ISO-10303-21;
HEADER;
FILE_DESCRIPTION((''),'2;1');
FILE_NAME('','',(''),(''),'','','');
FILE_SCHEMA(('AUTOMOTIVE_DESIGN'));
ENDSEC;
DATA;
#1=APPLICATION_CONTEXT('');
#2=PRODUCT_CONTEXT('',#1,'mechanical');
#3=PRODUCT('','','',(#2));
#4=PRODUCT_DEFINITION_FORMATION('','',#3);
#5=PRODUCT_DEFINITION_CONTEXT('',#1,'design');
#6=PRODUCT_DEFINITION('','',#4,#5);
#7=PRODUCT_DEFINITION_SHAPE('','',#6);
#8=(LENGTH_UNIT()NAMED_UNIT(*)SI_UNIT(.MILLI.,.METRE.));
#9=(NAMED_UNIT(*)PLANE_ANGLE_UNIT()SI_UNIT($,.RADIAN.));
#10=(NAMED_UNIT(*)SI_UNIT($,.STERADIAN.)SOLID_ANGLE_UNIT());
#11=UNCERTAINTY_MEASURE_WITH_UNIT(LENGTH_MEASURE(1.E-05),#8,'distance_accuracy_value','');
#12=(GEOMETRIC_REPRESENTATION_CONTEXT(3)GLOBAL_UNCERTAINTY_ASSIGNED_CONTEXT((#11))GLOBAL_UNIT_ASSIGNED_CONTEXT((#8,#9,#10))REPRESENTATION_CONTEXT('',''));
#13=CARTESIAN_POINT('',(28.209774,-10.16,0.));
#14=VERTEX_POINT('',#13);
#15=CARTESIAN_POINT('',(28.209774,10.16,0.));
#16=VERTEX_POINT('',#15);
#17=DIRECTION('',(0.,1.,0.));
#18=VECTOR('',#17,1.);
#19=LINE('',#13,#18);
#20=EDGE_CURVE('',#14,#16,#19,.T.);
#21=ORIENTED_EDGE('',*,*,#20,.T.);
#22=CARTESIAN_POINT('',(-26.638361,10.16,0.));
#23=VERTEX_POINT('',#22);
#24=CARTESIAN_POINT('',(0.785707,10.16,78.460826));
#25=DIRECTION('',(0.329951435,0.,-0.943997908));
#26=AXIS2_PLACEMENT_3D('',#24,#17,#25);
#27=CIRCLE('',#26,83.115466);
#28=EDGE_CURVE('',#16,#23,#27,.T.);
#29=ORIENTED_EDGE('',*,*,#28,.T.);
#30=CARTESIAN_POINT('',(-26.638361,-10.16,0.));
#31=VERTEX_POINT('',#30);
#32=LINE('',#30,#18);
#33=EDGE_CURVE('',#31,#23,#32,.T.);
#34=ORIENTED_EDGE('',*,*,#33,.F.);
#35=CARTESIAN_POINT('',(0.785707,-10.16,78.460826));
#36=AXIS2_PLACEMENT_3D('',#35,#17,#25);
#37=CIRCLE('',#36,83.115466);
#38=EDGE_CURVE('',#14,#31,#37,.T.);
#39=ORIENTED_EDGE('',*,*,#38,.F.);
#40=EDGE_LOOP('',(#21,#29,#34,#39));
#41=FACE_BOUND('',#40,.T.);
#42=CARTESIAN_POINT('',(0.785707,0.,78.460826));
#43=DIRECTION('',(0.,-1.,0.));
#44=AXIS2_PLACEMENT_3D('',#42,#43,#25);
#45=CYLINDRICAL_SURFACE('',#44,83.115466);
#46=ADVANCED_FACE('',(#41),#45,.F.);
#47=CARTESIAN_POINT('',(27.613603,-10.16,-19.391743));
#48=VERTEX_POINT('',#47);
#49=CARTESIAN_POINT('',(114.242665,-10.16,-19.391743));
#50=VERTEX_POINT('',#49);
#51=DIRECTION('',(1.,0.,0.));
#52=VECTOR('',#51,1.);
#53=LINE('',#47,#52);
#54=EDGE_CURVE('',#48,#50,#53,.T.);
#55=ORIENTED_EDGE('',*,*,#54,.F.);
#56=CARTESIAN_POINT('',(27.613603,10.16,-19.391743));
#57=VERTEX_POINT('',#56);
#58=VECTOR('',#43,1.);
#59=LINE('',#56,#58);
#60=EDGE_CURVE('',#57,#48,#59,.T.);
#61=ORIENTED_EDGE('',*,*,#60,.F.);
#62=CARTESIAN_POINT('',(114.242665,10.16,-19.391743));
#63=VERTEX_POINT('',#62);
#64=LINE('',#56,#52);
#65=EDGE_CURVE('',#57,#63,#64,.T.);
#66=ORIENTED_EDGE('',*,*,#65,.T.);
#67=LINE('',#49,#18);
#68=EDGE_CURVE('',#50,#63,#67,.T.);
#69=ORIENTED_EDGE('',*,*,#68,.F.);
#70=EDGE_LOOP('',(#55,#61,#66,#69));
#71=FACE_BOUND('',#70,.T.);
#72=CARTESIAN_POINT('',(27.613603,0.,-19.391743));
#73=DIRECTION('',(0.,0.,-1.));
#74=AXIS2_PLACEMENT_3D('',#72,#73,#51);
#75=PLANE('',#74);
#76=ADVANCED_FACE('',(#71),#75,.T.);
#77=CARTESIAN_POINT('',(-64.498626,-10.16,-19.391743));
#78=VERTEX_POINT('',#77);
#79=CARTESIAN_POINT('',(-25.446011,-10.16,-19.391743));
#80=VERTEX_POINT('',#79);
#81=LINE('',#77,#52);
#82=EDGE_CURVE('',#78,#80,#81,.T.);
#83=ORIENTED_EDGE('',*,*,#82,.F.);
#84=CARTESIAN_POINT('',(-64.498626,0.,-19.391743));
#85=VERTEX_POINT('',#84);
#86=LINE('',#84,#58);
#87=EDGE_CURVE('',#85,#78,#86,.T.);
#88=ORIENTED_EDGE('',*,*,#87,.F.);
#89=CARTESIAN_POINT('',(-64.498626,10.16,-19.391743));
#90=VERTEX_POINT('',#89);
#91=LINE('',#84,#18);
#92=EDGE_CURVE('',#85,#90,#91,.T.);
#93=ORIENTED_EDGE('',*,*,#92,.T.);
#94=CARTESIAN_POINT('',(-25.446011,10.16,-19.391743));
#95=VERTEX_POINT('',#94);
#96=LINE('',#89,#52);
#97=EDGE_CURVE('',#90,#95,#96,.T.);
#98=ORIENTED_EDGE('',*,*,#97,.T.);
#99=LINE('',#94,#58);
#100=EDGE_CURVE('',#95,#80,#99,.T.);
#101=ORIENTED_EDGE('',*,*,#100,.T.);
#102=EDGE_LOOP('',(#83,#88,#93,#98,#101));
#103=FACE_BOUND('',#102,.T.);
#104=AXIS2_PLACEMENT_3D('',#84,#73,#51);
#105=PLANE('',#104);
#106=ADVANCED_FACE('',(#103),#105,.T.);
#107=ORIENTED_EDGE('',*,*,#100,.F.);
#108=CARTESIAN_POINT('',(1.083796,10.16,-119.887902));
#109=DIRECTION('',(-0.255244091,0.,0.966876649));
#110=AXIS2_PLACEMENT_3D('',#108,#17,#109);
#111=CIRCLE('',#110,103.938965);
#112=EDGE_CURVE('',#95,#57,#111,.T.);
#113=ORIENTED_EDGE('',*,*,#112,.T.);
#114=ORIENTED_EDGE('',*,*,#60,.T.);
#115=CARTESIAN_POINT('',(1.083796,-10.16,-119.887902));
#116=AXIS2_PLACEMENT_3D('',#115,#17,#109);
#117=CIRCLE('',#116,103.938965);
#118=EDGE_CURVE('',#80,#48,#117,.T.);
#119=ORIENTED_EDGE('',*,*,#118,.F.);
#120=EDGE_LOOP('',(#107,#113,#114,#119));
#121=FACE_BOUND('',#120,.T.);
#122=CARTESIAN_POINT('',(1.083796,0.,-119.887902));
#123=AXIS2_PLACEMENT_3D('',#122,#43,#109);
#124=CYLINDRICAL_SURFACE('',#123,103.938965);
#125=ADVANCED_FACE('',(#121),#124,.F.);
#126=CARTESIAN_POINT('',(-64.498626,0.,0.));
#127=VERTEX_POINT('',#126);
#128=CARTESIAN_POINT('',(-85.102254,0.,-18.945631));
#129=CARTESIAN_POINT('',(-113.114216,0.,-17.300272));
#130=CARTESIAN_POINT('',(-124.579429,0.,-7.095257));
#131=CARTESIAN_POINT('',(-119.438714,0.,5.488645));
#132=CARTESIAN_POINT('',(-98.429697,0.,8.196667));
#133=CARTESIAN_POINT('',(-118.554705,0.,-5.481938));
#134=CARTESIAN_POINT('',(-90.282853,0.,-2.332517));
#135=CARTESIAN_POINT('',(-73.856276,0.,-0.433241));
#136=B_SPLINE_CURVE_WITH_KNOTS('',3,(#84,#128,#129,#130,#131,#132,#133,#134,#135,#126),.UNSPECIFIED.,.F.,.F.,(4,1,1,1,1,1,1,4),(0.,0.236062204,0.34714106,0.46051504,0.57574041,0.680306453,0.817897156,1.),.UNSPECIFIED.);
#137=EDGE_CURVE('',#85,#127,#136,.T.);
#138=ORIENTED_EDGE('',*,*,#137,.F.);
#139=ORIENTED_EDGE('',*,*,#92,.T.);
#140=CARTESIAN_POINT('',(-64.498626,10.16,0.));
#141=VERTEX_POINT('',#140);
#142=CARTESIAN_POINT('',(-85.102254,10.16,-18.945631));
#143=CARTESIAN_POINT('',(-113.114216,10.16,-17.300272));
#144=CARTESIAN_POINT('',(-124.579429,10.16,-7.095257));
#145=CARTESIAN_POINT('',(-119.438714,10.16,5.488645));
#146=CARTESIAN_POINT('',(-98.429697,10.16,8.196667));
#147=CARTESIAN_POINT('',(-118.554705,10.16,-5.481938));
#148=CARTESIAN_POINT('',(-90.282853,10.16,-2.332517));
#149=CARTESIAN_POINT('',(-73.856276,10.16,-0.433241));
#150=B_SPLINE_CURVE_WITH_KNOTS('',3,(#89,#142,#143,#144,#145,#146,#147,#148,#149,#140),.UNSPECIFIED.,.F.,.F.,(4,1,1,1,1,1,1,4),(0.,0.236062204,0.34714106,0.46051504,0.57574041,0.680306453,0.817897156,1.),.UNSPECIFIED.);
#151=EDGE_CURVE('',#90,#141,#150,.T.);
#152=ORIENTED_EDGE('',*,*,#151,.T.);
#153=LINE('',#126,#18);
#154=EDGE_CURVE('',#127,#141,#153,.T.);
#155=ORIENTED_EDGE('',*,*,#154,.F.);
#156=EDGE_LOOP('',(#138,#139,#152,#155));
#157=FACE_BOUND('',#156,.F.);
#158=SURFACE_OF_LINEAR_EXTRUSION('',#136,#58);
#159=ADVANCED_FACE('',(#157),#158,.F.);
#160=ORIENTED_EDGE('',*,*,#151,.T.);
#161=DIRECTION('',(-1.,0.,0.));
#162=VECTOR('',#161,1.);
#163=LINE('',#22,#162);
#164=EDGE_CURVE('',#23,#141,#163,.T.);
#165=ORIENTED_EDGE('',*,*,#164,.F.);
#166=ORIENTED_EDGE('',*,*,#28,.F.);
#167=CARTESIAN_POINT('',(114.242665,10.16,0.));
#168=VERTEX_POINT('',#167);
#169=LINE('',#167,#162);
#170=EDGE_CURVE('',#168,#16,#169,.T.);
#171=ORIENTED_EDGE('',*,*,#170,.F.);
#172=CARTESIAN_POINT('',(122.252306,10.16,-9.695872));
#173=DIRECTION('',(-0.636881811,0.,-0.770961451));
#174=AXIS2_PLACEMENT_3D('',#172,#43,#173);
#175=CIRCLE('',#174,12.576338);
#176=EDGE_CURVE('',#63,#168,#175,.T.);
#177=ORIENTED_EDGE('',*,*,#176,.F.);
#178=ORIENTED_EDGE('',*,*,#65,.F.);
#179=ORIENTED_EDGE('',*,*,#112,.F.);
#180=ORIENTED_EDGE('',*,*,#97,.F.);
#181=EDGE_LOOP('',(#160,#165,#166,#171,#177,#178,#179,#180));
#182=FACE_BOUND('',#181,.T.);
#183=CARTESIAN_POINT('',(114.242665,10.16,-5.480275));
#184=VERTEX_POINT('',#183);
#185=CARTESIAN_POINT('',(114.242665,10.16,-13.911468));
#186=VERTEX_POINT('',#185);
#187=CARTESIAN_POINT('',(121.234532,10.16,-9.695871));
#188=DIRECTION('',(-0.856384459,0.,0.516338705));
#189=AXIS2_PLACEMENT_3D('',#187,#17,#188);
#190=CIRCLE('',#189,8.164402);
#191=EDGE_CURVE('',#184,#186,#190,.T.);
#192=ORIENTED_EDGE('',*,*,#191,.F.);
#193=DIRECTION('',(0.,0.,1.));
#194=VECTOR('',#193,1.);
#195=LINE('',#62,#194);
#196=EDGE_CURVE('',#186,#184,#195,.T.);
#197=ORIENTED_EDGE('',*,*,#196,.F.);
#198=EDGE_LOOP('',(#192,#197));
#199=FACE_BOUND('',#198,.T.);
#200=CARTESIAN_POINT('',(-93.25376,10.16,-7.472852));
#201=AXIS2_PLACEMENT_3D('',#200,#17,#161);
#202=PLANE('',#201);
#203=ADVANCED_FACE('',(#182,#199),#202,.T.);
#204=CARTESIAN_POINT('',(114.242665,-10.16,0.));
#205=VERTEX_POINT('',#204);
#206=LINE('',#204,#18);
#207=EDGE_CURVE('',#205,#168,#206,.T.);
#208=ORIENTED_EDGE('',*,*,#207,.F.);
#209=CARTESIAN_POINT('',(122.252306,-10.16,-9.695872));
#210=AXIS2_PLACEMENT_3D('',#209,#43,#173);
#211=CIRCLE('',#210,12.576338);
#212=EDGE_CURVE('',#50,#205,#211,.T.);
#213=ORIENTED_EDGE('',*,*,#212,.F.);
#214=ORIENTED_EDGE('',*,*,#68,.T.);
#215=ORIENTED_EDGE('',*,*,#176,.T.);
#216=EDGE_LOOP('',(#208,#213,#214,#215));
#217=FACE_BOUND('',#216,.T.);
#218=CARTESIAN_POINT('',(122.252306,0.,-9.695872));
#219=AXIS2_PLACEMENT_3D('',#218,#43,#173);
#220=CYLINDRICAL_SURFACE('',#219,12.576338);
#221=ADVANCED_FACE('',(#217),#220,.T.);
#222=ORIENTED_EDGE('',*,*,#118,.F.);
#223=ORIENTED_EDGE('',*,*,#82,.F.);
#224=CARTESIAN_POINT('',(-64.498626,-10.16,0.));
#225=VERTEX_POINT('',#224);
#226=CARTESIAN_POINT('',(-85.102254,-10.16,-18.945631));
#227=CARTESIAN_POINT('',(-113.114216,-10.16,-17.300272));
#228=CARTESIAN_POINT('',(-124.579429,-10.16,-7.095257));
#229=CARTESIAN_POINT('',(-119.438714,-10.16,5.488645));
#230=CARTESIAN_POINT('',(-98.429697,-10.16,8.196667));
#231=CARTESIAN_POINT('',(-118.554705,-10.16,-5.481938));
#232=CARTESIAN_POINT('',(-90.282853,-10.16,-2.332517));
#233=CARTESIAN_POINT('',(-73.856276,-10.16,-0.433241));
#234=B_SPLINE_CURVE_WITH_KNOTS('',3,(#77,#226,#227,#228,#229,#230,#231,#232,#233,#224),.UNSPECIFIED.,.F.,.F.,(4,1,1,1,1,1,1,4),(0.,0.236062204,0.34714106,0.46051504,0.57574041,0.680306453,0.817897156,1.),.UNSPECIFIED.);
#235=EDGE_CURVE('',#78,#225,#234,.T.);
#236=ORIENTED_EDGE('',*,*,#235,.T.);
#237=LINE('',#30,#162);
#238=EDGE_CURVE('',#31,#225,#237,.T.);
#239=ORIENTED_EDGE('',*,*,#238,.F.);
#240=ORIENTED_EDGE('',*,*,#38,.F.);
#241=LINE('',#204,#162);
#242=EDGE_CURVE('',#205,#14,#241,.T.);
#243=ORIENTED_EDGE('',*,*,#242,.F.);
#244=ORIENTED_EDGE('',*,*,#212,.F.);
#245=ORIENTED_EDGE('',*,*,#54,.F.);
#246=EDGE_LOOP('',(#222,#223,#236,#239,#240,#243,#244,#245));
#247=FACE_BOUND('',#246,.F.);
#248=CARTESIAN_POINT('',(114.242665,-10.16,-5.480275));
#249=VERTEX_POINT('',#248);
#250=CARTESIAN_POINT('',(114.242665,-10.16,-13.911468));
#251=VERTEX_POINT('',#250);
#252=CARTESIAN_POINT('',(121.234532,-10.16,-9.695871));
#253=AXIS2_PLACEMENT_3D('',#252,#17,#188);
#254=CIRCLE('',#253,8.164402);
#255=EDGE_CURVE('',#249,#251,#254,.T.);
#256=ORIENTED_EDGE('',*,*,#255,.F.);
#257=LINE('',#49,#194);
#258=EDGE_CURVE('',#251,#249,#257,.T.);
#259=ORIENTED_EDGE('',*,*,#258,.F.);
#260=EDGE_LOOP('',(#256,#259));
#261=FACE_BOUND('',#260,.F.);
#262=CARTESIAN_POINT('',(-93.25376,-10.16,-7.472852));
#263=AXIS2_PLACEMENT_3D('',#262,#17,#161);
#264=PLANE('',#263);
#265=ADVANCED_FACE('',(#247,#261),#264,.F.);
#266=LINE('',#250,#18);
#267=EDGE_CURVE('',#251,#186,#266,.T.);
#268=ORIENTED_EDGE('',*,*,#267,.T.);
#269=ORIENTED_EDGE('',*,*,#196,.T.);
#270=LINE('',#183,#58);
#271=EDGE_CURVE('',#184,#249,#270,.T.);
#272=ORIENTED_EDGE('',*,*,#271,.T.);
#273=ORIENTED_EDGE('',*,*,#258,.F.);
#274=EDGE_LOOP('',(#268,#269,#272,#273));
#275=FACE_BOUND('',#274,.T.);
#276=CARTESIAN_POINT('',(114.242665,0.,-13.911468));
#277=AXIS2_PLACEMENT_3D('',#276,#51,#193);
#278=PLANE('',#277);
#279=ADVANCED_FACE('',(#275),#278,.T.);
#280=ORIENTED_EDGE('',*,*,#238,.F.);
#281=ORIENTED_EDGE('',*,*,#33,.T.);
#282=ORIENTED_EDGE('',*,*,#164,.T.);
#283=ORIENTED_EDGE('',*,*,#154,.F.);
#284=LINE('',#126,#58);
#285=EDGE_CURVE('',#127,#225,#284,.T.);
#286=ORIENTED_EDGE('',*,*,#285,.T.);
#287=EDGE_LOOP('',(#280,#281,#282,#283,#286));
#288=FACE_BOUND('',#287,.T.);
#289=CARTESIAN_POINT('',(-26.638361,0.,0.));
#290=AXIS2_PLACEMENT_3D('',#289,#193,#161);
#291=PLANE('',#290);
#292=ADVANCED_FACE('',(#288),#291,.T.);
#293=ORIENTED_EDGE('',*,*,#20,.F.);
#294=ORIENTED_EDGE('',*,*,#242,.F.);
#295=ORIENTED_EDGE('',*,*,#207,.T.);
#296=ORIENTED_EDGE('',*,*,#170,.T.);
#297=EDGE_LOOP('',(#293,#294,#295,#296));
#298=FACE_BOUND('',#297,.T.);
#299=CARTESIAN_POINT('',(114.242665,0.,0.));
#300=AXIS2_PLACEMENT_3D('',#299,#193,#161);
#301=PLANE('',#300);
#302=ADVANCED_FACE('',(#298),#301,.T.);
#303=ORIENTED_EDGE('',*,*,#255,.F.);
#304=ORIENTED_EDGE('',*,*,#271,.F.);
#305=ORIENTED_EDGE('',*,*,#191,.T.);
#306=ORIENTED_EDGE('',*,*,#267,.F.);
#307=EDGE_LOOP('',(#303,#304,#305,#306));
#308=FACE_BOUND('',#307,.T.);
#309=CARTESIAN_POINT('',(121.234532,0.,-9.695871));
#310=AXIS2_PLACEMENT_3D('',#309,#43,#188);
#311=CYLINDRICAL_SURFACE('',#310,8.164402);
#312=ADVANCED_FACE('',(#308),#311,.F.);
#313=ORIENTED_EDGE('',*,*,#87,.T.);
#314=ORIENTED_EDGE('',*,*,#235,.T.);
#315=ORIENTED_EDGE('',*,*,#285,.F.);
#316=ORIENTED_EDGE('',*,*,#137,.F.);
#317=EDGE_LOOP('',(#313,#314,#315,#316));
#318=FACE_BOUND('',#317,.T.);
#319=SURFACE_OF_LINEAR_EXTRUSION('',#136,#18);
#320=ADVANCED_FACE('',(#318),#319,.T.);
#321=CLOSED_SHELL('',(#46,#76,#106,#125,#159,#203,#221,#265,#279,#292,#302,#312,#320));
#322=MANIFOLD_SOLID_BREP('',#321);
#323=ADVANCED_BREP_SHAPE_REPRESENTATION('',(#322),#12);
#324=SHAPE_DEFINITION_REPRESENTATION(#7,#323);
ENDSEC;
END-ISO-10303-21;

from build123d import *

# Parameters (mm, degrees)
F1_DEPTH = 10.16


with BuildPart() as f1:
    # F0 (on Front) → F1 (new body, symmetric)
    with BuildSketch(Plane.XZ):
        with BuildLine():
            add(Edge.make_bspline(
                [(-64.4986256957, -19.3917434663), (-85.1022544932, -18.9456305292), (-113.1142158748, -17.3002717096), (-124.5794290412, -7.0952567277), (-119.438714439, 5.4886448937), (-98.4296966223, 8.1966670728), (-118.554705317, -5.4819380662), (-90.2828527528, -2.3325174538), (-73.856276484, -0.4332414316), (-64.4986256957, 0)],
                knots=[0, 0, 0, 0, 0.2360622038, 0.3471410595, 0.4605150396, 0.5757404102, 0.6803064526, 0.8178971558, 1, 1, 1, 1], degree=3))
            Line((-64.4986256957, -19.3917434663), (-64.4986256957, 0))
        make_face()
        with BuildLine():
            Line((-64.4986256957, 0), (-64.4986256957, -19.3917434663))
            Line((-64.4986256957, -19.3917434663), (-25.4460107535, -19.3917434663))
            ThreePointArc((-25.4460107535, -19.3917434663), (1.0837959126, -15.9489366296), (27.6136025786, -19.3917434663))
            Line((27.6136025786, -19.3917434663), (114.2426654696, -19.3917434663))
            Line((114.2426654696, -19.3917434663), (114.2426654696, -13.9114679769))
            Line((114.2426654696, -13.9114679769), (114.2426654696, -5.4802745581))
            Line((114.2426654696, -5.4802745581), (114.2426654696, 0))
            Line((114.2426654696, 0), (28.2097738236, 0))
            ThreePointArc((28.2097738236, 0), (0.7857065648, -4.6546399613), (-26.6383606941, 0))
            Line((-26.6383606941, 0), (-64.4986256957, 0))
        make_face()
        with BuildLine():
            Line((114.2426654696, -13.9114679769), (114.2426654696, -19.3917434663))
            ThreePointArc((114.2426654696, -19.3917434663), (134.8286442595, -9.6958717331), (114.2426654696, 0))
            Line((114.2426654696, 0), (114.2426654696, -5.4802745581))
            ThreePointArc((114.2426654696, -5.4802745581), (129.3989342853, -9.6958712675), (114.2426654696, -13.9114679769))
        make_face()
    extrude(amount=F1_DEPTH, both=True)


solid = f1.part
